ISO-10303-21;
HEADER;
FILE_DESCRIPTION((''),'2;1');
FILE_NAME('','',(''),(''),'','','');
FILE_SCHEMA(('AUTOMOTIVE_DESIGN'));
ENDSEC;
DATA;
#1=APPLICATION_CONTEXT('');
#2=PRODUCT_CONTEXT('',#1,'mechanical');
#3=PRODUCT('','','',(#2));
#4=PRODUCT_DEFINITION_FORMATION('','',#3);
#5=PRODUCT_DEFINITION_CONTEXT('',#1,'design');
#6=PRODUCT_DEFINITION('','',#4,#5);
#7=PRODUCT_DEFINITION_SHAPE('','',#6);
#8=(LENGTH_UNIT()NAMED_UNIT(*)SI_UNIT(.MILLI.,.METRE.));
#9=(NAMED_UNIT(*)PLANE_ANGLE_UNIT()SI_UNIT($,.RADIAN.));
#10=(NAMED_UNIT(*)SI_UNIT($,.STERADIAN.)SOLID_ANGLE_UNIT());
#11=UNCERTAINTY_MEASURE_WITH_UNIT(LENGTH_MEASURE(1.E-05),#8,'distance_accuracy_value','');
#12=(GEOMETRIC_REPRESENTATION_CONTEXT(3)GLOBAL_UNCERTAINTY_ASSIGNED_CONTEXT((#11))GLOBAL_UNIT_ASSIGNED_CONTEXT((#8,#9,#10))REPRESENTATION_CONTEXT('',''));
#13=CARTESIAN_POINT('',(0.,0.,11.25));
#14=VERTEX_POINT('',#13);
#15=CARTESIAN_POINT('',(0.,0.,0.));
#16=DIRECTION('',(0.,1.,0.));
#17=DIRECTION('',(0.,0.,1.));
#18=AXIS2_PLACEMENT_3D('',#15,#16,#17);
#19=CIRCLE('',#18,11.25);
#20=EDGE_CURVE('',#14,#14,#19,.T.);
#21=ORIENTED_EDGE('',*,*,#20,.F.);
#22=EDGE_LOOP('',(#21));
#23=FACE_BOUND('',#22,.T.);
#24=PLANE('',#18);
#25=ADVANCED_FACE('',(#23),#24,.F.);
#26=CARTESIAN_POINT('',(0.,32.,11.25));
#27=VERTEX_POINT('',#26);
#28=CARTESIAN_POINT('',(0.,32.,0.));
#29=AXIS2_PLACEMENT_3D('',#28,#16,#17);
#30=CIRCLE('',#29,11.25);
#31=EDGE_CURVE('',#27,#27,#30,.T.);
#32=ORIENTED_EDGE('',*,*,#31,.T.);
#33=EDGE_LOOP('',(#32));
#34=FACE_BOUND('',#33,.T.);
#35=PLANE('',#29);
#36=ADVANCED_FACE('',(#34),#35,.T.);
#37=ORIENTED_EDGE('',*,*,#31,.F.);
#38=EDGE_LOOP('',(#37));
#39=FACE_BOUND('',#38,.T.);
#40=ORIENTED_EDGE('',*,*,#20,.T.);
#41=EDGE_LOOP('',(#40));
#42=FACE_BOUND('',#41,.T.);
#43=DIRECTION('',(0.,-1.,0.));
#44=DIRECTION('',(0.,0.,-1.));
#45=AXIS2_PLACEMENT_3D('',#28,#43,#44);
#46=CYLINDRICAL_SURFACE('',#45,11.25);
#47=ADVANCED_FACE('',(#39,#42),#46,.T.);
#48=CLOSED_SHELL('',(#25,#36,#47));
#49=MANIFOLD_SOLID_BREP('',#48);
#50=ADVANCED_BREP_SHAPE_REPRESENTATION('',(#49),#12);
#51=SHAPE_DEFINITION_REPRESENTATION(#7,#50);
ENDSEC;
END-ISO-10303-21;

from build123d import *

# Parameters (mm, degrees)
SKETCH1_R           = 11.25
BOSS_EXTRUDE1_DEPTH = 32


with BuildPart() as part:
    # Sketch1 → Boss-Extrude1 (new body)
    with BuildSketch(Plane(origin=(0, 0, 0), x_dir=(1, 0, 0), z_dir=(0, 1, 0))):
        with Locations(Location((0, 0, 0), (0, 0, 270))):
            Circle(SKETCH1_R)
    extrude(amount=BOSS_EXTRUDE1_DEPTH)


solid = part.part
